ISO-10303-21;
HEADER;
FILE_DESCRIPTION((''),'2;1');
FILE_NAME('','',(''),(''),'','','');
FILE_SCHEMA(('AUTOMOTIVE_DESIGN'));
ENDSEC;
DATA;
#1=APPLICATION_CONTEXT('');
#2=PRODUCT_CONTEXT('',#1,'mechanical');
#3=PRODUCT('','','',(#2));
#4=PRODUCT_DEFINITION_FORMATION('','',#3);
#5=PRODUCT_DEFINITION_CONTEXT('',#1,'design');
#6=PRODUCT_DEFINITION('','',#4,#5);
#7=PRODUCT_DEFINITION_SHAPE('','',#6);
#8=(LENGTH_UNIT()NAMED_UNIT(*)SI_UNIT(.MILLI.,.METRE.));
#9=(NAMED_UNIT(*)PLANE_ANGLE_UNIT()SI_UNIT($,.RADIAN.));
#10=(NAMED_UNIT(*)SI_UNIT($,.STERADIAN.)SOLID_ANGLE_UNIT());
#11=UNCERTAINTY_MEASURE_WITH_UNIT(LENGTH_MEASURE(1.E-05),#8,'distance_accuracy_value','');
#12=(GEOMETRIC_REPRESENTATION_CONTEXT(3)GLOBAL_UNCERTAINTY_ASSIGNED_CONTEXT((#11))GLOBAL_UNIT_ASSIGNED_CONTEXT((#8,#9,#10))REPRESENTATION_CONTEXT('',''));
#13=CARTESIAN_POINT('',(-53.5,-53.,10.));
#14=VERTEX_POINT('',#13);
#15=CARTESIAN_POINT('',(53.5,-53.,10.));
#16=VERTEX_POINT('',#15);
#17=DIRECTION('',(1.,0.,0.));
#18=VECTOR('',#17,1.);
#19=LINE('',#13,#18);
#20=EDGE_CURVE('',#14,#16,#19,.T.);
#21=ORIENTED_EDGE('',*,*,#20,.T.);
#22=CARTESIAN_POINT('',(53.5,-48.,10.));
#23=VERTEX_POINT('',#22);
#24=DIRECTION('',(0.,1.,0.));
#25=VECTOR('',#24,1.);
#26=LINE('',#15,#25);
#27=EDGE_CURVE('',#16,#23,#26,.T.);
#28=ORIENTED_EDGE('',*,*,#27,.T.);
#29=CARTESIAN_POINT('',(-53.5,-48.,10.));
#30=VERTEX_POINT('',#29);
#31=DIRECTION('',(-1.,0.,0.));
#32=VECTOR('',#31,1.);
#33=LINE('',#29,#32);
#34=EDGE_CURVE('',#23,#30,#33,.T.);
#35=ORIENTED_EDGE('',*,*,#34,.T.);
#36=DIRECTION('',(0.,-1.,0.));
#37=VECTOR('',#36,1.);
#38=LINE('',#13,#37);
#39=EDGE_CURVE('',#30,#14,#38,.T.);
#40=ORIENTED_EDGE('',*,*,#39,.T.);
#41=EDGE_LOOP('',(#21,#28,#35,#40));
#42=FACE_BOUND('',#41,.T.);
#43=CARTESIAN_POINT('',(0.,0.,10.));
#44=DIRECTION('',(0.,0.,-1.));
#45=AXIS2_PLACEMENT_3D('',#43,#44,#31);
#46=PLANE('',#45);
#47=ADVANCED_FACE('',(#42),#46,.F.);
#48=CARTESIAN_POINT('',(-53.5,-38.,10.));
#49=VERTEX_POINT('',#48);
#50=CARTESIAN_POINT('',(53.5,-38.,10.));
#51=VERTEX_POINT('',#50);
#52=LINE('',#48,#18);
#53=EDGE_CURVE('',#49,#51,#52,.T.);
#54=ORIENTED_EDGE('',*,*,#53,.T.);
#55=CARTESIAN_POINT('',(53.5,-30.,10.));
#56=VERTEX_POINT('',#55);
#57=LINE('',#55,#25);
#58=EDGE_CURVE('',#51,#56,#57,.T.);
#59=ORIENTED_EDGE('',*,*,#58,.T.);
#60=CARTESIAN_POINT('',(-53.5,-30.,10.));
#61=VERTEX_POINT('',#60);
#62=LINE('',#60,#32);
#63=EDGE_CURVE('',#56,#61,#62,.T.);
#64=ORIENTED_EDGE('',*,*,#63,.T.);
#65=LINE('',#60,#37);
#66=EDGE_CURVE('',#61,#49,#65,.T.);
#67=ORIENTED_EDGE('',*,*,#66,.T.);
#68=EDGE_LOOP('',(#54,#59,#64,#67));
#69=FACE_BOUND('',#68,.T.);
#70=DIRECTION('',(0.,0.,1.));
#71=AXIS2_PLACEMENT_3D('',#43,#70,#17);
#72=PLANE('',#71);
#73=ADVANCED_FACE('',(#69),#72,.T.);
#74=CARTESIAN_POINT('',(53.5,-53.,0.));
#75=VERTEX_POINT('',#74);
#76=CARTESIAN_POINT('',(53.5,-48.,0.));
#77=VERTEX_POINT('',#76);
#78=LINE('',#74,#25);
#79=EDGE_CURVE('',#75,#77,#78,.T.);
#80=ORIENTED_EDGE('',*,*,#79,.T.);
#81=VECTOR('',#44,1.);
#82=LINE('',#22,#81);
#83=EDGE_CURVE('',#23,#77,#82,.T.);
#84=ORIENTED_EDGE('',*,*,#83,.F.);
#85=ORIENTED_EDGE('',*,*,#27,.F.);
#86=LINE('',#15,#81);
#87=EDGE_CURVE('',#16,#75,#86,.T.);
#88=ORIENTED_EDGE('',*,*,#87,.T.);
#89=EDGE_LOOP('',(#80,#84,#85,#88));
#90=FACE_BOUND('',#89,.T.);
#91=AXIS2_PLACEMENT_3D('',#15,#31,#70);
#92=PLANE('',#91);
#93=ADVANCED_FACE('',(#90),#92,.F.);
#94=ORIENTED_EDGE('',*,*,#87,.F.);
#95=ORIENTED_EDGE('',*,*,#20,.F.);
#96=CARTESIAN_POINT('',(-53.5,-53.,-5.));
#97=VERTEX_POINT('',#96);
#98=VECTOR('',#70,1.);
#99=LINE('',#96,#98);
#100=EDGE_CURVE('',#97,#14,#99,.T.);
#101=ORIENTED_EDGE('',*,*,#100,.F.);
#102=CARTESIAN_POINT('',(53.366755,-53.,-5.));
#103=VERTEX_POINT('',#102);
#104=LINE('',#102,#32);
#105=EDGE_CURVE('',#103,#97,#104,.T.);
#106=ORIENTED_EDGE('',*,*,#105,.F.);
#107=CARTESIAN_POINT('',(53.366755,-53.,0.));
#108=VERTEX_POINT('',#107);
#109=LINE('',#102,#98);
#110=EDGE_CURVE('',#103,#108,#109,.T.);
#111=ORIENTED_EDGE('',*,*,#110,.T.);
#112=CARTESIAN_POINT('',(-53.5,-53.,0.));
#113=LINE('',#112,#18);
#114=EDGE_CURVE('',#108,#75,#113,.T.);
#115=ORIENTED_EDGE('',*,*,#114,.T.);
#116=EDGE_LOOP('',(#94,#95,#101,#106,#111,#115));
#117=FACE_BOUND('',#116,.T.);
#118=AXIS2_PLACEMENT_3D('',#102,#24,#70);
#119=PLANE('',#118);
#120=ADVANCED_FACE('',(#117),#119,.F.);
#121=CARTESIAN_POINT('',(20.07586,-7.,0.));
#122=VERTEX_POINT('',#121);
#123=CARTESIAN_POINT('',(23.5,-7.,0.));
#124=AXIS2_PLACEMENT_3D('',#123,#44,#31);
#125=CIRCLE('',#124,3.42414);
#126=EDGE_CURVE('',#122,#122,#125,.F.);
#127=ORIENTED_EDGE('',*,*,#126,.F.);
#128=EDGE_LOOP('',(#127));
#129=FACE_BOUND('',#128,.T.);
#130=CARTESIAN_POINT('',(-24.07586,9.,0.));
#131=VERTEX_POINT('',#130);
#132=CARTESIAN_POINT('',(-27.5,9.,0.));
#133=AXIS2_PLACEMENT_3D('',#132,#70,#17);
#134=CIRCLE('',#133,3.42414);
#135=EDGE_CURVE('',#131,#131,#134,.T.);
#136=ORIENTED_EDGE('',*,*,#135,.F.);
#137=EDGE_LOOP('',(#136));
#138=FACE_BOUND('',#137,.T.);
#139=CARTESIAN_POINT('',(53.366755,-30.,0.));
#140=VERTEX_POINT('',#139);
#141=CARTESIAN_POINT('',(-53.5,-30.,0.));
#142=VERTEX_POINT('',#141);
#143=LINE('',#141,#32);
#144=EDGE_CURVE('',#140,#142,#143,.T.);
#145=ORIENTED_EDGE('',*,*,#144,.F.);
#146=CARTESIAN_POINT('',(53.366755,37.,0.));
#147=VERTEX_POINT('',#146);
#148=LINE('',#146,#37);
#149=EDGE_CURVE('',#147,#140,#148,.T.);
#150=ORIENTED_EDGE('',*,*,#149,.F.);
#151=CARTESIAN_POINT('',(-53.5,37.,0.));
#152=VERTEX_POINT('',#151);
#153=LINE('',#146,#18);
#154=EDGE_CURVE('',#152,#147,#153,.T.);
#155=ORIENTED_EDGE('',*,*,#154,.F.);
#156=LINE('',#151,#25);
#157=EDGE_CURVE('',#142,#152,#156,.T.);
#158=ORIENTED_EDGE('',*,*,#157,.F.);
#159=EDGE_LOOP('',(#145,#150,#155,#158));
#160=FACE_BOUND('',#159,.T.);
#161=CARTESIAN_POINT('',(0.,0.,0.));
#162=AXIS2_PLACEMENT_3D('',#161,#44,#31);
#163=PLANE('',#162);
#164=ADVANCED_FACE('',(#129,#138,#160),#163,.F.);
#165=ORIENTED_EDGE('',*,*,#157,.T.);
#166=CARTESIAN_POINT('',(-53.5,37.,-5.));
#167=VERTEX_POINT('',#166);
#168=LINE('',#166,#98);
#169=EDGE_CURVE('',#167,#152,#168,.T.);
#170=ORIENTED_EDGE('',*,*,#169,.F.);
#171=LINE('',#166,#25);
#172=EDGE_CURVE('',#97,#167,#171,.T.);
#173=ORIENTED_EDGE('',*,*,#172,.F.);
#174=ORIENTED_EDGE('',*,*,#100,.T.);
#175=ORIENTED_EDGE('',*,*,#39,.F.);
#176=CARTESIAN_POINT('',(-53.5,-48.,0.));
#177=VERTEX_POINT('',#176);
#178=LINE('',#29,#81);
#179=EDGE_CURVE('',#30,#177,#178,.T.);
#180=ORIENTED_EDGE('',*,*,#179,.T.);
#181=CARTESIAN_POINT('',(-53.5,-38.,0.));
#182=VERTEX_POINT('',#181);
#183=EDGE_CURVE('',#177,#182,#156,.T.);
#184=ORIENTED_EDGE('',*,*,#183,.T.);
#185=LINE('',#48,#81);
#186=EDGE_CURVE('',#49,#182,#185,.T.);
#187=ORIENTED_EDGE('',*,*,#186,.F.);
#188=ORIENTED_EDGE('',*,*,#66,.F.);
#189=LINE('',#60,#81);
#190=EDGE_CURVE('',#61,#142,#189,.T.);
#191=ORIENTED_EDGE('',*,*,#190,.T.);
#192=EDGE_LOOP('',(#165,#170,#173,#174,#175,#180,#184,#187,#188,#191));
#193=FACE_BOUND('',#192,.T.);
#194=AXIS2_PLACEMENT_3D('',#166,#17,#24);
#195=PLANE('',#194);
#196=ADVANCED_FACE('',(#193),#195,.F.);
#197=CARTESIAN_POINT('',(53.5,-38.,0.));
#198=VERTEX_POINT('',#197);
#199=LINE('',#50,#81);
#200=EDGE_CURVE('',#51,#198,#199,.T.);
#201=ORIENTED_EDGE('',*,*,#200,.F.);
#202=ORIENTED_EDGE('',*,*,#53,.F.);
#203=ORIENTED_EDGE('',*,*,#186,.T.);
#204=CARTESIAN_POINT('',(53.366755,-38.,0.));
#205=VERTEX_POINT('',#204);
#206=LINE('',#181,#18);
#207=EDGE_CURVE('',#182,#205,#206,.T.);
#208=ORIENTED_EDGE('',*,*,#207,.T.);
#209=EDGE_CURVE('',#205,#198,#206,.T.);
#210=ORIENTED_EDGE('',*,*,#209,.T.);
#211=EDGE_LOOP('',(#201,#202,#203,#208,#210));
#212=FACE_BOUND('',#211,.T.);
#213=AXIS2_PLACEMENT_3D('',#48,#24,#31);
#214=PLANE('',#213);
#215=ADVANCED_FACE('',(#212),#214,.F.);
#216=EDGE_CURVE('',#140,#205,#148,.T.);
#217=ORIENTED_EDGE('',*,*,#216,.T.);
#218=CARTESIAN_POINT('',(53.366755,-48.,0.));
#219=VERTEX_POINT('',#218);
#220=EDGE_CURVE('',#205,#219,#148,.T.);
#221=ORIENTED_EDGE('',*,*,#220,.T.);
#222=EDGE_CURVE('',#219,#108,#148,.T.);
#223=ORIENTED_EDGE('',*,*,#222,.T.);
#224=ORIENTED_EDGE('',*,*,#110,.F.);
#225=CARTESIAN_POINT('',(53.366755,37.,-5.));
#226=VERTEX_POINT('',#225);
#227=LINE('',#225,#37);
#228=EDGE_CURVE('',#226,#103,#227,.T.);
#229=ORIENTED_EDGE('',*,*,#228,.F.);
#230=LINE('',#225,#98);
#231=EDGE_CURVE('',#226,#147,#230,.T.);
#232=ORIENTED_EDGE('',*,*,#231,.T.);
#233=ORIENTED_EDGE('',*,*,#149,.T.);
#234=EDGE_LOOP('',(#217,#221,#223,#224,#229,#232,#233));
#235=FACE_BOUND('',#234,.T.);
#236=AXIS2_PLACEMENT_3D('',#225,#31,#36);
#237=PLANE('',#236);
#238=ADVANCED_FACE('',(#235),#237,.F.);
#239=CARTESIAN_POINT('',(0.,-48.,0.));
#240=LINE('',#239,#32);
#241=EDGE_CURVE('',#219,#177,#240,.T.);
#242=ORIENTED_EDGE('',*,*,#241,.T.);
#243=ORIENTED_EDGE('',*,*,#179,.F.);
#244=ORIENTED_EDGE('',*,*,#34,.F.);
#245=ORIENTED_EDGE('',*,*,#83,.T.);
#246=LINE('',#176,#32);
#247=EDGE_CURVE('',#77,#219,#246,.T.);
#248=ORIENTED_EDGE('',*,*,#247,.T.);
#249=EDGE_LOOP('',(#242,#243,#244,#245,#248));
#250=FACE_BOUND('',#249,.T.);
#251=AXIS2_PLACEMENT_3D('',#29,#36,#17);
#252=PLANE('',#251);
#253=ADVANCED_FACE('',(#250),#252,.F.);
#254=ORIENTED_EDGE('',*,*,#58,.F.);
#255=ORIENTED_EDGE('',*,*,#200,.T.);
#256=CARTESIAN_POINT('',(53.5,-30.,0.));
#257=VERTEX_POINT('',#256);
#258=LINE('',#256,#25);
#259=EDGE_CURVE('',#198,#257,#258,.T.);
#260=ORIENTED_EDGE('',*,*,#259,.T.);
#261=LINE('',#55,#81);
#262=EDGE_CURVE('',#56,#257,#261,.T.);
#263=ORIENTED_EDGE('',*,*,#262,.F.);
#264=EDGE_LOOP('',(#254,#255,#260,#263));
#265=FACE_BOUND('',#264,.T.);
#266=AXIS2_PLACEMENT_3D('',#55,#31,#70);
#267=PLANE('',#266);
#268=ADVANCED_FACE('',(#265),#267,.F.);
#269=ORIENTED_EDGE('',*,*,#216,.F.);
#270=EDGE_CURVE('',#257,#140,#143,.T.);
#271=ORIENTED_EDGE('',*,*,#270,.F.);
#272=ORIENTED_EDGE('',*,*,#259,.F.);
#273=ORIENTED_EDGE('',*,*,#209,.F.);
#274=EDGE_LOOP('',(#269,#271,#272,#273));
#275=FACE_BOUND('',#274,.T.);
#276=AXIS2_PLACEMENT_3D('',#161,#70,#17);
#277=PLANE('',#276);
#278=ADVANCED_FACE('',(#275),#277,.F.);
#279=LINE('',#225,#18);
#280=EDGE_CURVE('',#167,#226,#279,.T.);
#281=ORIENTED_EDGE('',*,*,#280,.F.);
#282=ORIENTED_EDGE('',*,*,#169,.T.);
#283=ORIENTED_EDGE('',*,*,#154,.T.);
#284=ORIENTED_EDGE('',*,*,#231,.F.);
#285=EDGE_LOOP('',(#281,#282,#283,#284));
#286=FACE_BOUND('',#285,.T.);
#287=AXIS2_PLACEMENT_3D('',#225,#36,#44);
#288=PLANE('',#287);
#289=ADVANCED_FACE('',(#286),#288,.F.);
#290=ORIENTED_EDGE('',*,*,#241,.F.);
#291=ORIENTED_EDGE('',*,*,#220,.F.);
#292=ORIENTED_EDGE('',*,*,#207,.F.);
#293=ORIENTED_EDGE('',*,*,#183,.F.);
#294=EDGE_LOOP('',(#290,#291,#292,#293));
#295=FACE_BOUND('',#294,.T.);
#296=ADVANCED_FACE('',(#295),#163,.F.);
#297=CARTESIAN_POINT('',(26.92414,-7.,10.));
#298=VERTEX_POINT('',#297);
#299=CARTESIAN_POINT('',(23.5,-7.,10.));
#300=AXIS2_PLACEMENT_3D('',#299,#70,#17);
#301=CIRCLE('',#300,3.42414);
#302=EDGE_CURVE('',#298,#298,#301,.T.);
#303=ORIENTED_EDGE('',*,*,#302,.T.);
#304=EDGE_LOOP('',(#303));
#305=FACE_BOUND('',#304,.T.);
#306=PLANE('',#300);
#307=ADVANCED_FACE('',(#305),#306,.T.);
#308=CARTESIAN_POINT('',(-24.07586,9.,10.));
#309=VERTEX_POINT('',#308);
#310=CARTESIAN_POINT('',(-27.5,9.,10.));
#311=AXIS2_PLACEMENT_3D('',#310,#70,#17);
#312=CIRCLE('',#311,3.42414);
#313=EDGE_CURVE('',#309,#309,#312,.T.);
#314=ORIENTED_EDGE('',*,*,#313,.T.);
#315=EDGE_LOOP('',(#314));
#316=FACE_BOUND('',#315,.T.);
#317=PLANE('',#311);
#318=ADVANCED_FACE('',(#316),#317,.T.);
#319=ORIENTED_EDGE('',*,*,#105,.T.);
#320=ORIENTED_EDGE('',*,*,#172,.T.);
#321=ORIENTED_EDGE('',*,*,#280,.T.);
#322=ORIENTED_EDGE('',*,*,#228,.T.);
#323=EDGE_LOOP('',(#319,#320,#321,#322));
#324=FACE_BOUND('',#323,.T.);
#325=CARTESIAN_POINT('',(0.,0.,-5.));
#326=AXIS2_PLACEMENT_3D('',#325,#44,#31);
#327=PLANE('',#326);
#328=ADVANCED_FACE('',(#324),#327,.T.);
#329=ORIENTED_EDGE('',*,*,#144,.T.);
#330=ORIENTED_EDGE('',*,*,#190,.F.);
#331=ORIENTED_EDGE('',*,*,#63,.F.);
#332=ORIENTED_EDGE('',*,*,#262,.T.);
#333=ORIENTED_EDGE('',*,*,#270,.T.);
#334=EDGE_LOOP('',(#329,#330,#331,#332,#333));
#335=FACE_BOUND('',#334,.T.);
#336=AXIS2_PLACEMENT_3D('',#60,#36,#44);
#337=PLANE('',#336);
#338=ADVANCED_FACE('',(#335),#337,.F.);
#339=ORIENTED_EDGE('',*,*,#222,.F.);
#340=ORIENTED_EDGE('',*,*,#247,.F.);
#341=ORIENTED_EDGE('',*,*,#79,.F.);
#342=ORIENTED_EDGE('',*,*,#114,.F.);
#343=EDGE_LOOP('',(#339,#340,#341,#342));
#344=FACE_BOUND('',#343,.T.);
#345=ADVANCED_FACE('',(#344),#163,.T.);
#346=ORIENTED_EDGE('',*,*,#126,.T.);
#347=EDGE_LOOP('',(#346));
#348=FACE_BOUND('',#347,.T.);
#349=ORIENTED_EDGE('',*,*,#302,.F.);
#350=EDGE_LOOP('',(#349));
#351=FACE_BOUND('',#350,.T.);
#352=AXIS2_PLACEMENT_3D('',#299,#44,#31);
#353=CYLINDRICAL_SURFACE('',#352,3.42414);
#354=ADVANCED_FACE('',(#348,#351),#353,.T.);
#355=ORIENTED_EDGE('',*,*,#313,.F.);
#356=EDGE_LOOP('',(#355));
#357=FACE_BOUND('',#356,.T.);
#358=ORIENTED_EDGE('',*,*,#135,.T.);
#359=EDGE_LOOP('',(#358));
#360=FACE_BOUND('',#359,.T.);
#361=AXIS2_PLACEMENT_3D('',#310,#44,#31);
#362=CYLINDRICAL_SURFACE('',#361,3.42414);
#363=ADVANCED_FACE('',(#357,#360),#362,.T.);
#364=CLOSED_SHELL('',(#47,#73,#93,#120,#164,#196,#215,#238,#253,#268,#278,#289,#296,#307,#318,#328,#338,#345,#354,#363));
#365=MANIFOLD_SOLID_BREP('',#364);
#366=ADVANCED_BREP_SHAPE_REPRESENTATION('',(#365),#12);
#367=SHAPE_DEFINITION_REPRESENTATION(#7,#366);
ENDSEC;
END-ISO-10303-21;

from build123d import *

# Parameters (mm, degrees)
SKETCH1_R             = 3.424139869
BOSS_EXTRUDE1_DEPTH   = 10
BOSS_EXTRUDE1_2_DEPTH = 10
SKETCH2_W             = 106.866754861
SKETCH2_H             = 90
BOSS_EXTRUDE2_DEPTH   = 5
SKETCH3_W             = 107
SKETCH3_H             = 5
BOSS_EXTRUDE3_DEPTH   = 10
SKETCH4_W             = 107
SKETCH4_H             = 8
BOSS_EXTRUDE4_DEPTH   = 10


with BuildPart() as part:
    # Sketch1 → Boss-Extrude1 (new body)
    with BuildSketch(Plane.XY):
        with Locations((-27.5, 9)):
            Circle(SKETCH1_R)
    extrude(amount=BOSS_EXTRUDE1_DEPTH)



with BuildPart() as body_2:
    # Sketch1 → Boss-Extrude1 2 (new body)
    with BuildSketch(Plane.XY):
        with Locations((23.5, -7)):
            Circle(SKETCH1_R)
    extrude(amount=BOSS_EXTRUDE1_2_DEPTH)


with BuildPart() as part_1:
    add(part.part)

    add(body_2.part)  # Boss-Extrude2 merges body 2
    # Sketch2 → Boss-Extrude2 (add)
    with BuildSketch(Plane(origin=(0, 0, 0), x_dir=(-1, 0, 0), z_dir=(0, 0, -1))):
        with Locations((0.066622569, -8)):
            Rectangle(SKETCH2_W, SKETCH2_H)
    extrude(amount=BOSS_EXTRUDE2_DEPTH)

    # Sketch3 → Boss-Extrude3 (add)
    with BuildSketch(Plane.XY):
        with Locations((0, -50.5)):
            Rectangle(SKETCH3_W, SKETCH3_H)
    extrude(amount=BOSS_EXTRUDE3_DEPTH)

    # Sketch4 → Boss-Extrude4 (add)
    with BuildSketch(Plane.XY):
        with Locations((0, -34)):
            Rectangle(SKETCH4_W, SKETCH4_H)
    extrude(amount=BOSS_EXTRUDE4_DEPTH)


solid = part_1.part
